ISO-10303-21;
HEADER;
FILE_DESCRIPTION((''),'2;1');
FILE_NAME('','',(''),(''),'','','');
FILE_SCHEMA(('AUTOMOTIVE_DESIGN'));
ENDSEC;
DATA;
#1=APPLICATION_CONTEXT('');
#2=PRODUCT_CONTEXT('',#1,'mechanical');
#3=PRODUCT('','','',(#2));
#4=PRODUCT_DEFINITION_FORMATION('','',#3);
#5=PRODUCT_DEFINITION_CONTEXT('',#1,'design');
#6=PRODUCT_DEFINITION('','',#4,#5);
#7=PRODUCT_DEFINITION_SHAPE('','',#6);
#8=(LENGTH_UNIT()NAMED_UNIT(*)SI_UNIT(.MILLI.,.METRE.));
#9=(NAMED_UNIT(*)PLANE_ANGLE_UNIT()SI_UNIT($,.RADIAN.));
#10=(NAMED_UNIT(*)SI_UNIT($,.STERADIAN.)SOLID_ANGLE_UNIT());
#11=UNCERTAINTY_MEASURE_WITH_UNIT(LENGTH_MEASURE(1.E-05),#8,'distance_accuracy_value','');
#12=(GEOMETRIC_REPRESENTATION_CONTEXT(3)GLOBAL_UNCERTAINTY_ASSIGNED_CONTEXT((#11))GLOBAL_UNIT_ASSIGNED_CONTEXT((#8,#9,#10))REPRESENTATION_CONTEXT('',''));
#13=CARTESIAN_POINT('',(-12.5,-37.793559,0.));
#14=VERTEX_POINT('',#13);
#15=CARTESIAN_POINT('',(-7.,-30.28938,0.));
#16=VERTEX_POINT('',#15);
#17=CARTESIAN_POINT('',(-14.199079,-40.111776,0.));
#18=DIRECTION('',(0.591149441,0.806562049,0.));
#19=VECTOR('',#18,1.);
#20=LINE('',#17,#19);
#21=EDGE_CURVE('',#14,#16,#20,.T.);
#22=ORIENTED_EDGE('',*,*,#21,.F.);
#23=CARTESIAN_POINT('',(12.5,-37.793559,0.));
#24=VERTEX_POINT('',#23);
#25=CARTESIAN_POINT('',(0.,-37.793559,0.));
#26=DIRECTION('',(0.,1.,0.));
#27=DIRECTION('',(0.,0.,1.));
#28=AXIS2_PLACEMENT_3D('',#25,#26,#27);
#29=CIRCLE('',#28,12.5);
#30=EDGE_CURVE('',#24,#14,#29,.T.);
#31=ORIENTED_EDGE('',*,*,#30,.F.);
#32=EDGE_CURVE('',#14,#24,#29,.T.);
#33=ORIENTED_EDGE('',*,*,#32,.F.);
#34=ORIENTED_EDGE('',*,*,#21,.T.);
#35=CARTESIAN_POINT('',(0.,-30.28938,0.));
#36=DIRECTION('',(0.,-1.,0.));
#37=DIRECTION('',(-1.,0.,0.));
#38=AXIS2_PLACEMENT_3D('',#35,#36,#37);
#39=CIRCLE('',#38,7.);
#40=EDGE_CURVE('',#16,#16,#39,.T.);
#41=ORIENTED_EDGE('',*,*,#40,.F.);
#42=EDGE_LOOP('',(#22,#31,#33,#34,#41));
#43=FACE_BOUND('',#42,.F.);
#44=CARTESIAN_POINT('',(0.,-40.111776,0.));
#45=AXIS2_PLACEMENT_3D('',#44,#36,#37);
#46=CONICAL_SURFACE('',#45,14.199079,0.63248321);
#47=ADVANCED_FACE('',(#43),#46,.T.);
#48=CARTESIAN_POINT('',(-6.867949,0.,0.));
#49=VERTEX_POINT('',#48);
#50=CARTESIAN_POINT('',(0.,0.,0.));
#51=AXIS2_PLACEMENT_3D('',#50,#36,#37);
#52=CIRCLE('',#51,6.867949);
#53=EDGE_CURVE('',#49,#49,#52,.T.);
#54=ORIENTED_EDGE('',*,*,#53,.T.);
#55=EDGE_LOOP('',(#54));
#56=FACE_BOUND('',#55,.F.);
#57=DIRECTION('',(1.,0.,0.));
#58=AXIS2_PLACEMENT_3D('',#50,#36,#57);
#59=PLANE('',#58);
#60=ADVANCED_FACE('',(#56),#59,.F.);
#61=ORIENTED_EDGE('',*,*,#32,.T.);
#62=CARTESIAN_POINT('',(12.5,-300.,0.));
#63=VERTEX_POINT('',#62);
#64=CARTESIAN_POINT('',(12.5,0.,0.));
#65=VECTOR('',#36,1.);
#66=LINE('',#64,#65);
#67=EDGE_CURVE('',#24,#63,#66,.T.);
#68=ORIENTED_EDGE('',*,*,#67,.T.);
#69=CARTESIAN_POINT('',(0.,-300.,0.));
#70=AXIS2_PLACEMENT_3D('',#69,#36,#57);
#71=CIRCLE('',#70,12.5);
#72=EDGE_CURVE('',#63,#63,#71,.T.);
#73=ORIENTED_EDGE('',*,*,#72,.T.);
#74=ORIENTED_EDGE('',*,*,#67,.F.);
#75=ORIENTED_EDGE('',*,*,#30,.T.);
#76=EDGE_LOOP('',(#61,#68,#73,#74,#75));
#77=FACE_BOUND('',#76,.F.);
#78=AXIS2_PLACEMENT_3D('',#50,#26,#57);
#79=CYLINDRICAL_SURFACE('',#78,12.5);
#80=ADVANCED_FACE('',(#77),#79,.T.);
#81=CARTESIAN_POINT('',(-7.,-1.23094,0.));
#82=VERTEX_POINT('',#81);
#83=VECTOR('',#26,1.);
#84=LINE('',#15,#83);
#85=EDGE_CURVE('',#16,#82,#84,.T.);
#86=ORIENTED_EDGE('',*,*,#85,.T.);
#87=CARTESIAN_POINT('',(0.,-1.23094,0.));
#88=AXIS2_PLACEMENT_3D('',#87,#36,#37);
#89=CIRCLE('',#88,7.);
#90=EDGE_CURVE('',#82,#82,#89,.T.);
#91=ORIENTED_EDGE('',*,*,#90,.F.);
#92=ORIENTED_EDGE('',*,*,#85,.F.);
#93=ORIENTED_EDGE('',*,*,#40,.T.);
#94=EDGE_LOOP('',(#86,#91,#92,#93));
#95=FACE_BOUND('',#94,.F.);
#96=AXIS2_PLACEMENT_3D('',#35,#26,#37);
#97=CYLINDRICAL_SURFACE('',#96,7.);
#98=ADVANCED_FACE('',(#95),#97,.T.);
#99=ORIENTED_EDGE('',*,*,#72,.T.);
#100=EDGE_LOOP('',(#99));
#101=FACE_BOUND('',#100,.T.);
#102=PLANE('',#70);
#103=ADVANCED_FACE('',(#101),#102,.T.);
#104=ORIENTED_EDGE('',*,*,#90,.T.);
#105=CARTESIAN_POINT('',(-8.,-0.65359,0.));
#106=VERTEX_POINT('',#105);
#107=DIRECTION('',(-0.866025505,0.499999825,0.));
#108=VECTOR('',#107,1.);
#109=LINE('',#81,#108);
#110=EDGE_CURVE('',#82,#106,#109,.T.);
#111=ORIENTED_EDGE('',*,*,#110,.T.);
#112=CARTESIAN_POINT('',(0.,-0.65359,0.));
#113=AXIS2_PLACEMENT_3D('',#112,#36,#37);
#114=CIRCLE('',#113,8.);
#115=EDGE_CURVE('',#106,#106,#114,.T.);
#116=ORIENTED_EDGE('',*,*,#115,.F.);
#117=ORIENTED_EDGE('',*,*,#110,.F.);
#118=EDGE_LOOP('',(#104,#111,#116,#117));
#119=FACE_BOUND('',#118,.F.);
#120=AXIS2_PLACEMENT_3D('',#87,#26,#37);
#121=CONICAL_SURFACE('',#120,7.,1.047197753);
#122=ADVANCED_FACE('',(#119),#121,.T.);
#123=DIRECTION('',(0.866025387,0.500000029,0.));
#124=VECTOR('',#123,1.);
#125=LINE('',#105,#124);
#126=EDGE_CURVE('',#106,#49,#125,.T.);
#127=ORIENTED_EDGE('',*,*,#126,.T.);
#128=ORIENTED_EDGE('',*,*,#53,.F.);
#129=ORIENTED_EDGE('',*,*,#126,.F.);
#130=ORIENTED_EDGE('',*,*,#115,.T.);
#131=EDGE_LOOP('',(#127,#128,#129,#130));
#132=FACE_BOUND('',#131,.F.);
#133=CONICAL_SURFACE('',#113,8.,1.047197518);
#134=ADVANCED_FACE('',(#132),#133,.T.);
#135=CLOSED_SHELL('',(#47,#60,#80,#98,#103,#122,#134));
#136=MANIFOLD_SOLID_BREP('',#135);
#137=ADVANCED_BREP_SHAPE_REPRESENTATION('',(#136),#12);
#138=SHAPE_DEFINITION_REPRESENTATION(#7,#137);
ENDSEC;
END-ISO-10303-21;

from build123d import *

# Parameters (mm, degrees)
F0_R     = 12.5
F1_DEPTH = 300


with BuildPart() as f1:
    # F0 (on Front) → F1 (new body)
    with BuildSketch(Plane.XZ):
        Circle(F0_R)
    extrude(amount=F1_DEPTH)

    # F2 (on Top) → F3 (revolve, cut)
    with BuildSketch(Plane.XY):
        Polygon((-7, -1.23094), (-8, -0.65359), (-6.867949, 0), (-14.199079, 3.67226), (-14.199079, -40.111776), (-7, -30.28938), align=None)
    revolve(axis=Axis((0, -1, 0), (0, -1, 0)), mode=Mode.SUBTRACT)


solid = f1.part
